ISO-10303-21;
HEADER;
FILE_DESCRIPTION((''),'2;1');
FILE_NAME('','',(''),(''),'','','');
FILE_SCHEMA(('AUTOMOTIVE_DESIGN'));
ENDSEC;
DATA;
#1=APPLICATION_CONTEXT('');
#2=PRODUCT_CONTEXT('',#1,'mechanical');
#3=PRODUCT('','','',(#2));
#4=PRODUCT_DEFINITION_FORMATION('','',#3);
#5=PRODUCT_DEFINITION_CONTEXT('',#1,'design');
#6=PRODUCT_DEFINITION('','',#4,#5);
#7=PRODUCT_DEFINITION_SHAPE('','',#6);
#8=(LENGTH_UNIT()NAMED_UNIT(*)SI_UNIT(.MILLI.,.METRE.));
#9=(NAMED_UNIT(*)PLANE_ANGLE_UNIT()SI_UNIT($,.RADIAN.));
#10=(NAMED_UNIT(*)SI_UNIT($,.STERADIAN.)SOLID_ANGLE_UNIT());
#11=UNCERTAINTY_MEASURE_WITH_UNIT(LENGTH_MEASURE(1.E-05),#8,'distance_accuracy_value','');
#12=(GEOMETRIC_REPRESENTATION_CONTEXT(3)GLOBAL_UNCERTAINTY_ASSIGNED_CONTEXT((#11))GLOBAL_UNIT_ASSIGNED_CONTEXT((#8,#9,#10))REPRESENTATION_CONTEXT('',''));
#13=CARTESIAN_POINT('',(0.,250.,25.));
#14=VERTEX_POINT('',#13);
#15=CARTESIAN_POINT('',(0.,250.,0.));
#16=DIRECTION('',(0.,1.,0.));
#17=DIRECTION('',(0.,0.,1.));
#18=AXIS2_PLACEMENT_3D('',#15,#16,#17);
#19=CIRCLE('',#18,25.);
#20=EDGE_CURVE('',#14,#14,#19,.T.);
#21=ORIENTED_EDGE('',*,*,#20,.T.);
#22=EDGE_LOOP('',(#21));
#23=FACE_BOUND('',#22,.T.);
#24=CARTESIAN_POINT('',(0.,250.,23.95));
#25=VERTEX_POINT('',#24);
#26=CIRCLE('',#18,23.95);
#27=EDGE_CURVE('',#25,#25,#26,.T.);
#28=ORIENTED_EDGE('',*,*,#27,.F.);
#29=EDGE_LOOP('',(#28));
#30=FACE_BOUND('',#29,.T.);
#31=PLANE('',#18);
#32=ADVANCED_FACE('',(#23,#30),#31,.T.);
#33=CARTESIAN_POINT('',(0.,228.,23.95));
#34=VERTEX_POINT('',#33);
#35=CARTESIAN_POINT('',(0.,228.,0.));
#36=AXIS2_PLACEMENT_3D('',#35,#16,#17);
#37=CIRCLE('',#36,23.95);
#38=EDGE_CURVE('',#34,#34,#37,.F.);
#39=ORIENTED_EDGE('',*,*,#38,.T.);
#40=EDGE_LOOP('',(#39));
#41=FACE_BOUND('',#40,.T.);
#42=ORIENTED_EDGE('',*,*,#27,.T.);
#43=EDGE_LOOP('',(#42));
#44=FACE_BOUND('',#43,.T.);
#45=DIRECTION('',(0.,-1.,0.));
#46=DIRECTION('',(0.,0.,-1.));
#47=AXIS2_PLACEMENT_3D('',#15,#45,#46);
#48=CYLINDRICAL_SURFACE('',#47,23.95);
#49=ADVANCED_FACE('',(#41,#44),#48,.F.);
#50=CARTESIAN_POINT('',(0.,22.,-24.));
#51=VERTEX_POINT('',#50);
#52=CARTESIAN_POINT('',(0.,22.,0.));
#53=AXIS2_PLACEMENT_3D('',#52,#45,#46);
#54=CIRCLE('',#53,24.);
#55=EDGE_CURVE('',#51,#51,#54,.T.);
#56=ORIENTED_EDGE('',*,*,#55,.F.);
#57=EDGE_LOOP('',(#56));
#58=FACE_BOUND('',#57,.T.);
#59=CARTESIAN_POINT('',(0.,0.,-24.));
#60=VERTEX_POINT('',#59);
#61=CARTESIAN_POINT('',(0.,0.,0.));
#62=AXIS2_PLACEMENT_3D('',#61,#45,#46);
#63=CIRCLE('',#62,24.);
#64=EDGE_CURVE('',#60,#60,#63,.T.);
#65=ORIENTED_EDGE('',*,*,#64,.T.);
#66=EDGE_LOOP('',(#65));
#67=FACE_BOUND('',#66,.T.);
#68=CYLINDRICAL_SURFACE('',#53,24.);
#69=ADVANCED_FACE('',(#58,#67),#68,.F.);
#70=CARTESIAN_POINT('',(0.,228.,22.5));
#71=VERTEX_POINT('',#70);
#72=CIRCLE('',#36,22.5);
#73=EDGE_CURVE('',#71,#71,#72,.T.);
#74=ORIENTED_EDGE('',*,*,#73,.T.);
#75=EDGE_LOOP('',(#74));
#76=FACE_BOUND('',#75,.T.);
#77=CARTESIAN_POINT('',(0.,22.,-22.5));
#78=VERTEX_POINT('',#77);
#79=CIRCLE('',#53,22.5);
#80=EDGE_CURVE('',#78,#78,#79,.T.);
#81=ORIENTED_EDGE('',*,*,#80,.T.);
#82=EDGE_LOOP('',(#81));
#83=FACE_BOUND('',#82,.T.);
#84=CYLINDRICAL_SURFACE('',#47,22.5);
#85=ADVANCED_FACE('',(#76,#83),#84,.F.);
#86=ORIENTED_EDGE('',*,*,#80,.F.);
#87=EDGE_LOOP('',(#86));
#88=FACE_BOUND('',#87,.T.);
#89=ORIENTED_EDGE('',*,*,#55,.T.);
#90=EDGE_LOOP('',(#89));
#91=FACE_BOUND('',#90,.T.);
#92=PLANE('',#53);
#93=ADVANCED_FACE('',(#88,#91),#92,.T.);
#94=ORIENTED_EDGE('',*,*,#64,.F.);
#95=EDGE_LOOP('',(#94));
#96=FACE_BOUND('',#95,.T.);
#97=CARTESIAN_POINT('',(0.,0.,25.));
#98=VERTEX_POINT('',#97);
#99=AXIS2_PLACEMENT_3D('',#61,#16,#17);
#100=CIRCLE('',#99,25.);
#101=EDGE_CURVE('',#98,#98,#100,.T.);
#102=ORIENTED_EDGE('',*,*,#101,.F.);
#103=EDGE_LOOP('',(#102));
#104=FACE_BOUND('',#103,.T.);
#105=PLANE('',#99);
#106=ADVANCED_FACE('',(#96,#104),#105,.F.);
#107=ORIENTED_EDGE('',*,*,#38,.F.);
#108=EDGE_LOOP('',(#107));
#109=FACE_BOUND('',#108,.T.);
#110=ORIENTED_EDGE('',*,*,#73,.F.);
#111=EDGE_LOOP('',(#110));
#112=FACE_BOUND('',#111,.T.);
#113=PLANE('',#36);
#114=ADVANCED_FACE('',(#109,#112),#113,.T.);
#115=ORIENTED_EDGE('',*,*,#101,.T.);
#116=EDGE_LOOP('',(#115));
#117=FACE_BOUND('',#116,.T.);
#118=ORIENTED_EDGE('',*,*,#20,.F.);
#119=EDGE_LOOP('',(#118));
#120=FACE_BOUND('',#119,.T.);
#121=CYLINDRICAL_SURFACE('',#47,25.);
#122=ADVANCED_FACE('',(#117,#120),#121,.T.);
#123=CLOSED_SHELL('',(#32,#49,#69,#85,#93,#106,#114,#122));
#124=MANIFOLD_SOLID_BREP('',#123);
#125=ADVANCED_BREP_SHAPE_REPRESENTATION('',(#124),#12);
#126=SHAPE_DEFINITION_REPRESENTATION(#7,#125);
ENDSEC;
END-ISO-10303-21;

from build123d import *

# Parameters (mm, degrees)
SKETCH_1_R          = 25
SKETCH_1_R_2        = 22.5
EXTRUDE_1_DEPTH     = 250
SKETCH_2_R          = 24
CUT_EXTRUDE_1_DEPTH = 22
CUT_EXTRUDE_START   = -22
SKETCH_3_R          = 24
CUT_EXTRUDE_2_DEPTH = 22
SKETCH_4_R          = 24
SKETCH_4_R_2        = 23.95
EXTRUDE_2_DEPTH     = 22


with BuildPart() as part:
    # Эскиз1 → Бобышка-Вытянуть1 (new body)
    with BuildSketch(Plane(origin=(0, 0, 0), x_dir=(1, 0, 0), z_dir=(0, 1, 0))):
        with Locations(Location((0, 0, 0), (0, 0, 270))):
            Circle(SKETCH_1_R)
        with Locations(Location((0, 0, 0), (0, 0, 270))):
            Circle(SKETCH_1_R_2, mode=Mode.SUBTRACT)
    extrude(amount=EXTRUDE_1_DEPTH)

    # Эскиз2 → Вырез-Вытянуть1 (cut)
    with BuildSketch(Plane.XZ):
        with Locations(Location((0, 0, 0), (0, 0, 270))):
            Circle(SKETCH_2_R)
    extrude(amount=-CUT_EXTRUDE_1_DEPTH, mode=Mode.SUBTRACT)

    # Эскиз3 → Вырез-Вытянуть2 (cut)
    with BuildSketch(Plane(origin=(0, 250, 0), x_dir=(1, 0, 0), z_dir=(0, 1, 0)).offset(CUT_EXTRUDE_START)):
        with Locations(Location((0, 0, 0), (0, 0, 90))):
            Circle(SKETCH_3_R)
    extrude(amount=CUT_EXTRUDE_2_DEPTH, mode=Mode.SUBTRACT)

    # Эскиз4 → Бобышка-Вытянуть2 (add)
    with BuildSketch(Plane(origin=(0, 228, 0), x_dir=(1, 0, 0), z_dir=(0, 1, 0))):
        with Locations(Location((0, 0, 0), (0, 0, 90))):
            Circle(SKETCH_4_R)
        with Locations(Location((0, 0, 0), (0, 0, 270))):
            Circle(SKETCH_4_R_2, mode=Mode.SUBTRACT)
    extrude(amount=EXTRUDE_2_DEPTH)


solid = part.part
